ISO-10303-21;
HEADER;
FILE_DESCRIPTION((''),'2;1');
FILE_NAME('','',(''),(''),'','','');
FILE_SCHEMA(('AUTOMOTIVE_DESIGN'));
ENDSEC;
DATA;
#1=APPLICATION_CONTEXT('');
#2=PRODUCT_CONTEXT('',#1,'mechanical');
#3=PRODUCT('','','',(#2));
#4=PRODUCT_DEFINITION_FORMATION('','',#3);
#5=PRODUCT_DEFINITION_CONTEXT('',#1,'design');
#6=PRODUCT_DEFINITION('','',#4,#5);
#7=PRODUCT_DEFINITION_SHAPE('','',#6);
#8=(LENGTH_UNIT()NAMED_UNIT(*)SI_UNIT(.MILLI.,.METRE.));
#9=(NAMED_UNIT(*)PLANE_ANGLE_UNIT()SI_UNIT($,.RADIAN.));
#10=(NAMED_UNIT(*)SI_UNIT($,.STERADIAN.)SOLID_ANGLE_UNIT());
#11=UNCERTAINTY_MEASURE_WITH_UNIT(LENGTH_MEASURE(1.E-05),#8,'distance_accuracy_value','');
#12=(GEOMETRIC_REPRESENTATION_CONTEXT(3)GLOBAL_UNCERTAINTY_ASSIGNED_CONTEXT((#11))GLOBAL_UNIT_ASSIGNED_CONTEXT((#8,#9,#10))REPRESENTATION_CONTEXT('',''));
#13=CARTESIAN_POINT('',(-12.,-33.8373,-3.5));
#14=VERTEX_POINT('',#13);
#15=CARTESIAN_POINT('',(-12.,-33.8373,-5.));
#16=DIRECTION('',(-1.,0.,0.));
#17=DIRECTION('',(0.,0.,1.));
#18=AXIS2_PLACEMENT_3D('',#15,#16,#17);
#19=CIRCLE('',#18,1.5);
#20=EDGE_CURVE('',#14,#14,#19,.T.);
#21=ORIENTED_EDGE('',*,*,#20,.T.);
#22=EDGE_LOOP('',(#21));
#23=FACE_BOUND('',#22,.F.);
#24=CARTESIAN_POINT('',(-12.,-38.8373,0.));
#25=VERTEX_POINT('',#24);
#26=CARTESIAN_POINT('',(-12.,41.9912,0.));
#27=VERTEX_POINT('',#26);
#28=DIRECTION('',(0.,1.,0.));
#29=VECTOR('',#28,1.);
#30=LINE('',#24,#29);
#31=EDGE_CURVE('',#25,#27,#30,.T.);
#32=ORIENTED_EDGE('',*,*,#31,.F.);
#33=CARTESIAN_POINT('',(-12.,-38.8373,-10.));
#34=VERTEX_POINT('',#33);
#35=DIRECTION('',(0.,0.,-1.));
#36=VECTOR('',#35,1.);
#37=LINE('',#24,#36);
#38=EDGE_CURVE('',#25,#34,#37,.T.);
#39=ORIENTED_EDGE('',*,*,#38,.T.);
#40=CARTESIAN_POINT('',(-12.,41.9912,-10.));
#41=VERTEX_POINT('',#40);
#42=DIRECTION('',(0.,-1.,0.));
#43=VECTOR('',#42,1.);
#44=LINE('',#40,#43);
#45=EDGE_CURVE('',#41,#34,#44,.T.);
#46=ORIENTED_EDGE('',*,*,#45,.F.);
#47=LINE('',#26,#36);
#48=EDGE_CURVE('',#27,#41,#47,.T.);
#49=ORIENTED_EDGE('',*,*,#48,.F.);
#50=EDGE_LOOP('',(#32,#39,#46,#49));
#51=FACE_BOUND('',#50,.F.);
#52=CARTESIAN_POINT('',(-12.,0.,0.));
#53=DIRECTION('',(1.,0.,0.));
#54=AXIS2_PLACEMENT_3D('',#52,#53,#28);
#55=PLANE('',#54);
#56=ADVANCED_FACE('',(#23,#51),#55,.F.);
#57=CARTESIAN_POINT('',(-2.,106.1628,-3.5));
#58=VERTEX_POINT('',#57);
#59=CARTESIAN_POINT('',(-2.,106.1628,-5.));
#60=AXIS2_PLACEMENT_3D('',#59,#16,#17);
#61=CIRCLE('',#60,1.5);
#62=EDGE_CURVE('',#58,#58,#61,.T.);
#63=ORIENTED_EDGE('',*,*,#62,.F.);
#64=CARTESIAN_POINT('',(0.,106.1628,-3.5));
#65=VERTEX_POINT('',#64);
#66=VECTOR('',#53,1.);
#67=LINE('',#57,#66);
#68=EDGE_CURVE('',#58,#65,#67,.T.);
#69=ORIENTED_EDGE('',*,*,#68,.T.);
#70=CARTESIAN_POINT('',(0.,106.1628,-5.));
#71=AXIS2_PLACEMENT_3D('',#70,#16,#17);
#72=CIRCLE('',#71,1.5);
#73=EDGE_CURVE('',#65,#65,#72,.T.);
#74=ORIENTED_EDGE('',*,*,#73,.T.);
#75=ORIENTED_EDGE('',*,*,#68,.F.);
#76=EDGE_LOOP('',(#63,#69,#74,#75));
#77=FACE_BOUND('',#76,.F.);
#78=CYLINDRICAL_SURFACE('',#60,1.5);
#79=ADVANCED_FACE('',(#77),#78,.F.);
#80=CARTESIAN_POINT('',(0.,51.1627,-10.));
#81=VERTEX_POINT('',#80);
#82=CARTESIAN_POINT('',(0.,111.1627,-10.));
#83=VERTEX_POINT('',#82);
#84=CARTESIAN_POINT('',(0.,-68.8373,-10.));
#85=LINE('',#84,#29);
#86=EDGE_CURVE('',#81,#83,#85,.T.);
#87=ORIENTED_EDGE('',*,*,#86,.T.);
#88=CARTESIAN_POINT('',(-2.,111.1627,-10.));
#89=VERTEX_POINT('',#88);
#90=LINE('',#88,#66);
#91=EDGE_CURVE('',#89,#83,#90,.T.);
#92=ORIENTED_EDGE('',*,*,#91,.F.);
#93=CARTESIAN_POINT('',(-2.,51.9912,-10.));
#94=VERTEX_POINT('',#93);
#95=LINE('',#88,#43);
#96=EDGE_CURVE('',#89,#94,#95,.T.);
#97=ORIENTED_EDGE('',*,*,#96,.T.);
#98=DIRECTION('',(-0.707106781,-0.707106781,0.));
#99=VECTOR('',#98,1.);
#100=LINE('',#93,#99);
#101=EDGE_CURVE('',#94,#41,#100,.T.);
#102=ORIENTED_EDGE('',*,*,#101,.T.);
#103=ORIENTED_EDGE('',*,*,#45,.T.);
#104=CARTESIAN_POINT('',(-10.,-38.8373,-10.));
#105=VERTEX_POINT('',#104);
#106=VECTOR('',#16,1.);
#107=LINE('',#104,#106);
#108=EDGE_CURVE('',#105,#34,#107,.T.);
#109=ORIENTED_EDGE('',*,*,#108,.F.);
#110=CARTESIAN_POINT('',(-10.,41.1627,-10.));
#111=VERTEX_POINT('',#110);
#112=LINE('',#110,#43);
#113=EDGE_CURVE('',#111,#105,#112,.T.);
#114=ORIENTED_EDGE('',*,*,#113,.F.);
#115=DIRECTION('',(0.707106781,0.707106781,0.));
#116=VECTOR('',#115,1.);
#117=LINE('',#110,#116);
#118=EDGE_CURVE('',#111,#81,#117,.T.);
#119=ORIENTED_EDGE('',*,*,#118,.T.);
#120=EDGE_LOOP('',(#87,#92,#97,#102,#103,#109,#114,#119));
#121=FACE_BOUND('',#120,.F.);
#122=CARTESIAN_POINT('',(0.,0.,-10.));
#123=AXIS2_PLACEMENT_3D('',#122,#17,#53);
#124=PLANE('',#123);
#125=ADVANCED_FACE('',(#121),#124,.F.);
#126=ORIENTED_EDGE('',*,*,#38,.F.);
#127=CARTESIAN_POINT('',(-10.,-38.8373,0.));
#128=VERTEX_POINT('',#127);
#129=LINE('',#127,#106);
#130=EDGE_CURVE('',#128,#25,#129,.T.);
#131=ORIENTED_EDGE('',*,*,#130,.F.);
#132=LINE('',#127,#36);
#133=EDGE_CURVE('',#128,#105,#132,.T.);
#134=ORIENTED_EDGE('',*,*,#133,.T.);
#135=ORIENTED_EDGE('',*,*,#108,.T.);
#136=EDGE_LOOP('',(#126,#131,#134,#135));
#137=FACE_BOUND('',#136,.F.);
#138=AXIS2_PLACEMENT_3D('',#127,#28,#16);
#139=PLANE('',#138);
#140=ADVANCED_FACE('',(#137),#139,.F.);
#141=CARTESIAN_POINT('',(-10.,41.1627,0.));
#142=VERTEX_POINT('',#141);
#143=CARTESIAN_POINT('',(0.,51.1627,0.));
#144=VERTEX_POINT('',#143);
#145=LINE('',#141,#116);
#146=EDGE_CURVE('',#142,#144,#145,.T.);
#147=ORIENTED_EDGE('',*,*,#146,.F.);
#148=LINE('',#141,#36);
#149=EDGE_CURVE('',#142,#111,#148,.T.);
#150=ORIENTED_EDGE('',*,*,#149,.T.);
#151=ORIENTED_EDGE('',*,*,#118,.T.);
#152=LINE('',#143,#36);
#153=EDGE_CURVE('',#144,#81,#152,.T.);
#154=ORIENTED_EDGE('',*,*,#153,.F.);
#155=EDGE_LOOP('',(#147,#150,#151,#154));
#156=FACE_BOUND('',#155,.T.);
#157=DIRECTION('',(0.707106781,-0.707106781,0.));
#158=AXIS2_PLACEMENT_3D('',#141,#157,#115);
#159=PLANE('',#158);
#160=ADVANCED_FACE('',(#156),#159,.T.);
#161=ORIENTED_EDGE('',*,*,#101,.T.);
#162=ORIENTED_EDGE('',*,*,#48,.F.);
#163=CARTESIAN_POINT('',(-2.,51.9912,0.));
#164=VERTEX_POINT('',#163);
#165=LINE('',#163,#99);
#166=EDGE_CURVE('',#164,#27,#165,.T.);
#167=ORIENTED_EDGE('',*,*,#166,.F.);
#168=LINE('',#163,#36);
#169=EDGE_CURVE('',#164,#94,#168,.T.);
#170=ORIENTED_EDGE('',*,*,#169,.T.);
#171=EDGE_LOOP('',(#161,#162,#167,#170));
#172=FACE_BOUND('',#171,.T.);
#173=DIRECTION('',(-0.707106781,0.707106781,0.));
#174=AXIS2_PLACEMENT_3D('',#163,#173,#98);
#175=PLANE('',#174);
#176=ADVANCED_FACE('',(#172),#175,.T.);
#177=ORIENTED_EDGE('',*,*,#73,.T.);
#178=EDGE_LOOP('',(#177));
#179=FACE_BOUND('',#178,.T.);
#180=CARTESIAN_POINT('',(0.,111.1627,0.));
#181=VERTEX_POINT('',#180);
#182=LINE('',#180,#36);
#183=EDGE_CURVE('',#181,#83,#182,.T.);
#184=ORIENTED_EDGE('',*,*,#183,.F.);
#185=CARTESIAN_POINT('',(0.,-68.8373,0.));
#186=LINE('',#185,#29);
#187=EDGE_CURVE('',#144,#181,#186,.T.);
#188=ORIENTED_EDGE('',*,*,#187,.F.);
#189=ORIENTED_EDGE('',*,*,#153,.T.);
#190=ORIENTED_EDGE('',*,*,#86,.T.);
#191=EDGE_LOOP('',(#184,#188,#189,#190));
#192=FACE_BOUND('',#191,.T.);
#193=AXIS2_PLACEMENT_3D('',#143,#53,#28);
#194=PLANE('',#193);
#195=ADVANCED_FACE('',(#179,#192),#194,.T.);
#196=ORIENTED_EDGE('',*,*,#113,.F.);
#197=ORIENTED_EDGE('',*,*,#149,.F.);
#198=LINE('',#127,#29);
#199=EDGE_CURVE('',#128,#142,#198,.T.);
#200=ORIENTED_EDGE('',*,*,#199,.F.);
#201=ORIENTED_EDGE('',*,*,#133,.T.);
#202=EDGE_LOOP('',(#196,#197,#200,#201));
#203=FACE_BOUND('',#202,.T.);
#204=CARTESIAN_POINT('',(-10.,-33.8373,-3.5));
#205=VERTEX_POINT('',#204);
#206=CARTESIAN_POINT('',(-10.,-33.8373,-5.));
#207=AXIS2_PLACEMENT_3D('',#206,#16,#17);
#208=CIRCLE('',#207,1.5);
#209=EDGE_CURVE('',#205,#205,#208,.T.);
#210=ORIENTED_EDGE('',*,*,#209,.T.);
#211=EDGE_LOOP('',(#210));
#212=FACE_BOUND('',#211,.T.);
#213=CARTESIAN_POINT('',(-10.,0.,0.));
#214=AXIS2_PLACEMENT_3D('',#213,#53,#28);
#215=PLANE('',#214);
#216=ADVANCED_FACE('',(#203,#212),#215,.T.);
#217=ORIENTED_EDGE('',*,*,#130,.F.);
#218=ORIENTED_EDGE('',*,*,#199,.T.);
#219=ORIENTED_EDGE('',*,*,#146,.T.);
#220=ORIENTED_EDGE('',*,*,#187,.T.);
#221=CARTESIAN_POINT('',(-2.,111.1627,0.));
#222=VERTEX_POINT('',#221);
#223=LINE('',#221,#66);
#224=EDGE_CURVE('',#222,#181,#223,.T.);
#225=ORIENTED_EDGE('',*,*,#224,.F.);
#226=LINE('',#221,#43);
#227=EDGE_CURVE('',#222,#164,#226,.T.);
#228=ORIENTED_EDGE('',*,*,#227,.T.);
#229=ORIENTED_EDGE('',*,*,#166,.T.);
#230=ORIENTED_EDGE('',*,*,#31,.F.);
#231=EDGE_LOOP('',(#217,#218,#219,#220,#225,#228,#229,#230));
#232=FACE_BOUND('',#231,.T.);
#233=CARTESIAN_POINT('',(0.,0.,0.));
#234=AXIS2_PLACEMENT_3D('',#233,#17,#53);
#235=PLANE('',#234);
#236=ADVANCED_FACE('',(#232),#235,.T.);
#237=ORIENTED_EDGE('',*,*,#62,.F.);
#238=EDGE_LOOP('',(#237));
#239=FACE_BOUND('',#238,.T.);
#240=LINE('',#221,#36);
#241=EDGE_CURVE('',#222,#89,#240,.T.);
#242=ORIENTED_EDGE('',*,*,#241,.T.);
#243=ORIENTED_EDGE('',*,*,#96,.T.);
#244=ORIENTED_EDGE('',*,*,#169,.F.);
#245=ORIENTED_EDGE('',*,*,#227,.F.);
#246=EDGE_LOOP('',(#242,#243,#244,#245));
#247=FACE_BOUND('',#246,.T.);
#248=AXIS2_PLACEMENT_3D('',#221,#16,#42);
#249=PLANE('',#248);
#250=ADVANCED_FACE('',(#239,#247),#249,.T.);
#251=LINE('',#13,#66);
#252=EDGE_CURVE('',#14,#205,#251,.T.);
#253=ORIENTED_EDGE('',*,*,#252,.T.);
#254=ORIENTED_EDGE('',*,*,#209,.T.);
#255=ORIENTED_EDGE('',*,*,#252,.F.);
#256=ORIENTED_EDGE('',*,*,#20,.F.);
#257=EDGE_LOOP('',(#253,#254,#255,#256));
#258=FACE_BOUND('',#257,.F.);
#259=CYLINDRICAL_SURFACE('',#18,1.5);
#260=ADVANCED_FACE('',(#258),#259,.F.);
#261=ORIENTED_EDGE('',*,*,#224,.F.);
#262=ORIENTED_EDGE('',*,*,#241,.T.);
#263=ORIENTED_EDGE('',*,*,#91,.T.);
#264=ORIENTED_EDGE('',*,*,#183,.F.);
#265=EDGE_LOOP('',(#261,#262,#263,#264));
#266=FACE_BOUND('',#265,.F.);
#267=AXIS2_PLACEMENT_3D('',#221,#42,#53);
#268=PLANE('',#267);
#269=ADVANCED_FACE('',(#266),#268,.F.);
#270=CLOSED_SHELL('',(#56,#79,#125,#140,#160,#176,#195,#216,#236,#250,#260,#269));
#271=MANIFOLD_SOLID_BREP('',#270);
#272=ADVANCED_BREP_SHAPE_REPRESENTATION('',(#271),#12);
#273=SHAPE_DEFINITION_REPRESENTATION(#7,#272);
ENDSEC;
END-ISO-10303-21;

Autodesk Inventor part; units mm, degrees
ref_plane "YZ Plane" through (0, 0, 0) normal (1, 0, 0) x (0, 1, 0)
ref_plane "XZ Plane" through (0, 0, 0) normal (0, 1, 0) x (-1, 0, 0)
ref_plane "XY Plane" through (0, 0, 0) normal (0, 0, 1) x (1, 0, 0)
sketch "Skizze1" plane through (0, 0, 0) normal (0, 0, 1) x (1, 0, 0)
  line L0 (-14.4, 0) -> (2.4, 0) projected
  line L1 (0, -68.8373) -> (0, 141.1627) projected
  line L2 (-10, -38.8373) -> (-10, 41.1627)
  line L3 (-10, 41.1627) -> (0, 51.1627)
  line L4 (0, 51.1627) -> (0, 111.1627)
  line L5 (-10, -38.8373) -> (-12, -38.8373)
  line L6 (-12, -38.8373) -> (-12, 41.9912)
  line L7 (-2, 51.9912) -> (-12, 41.9912)
  line L8 (-2, 111.1627) -> (0, 111.1627)
  line L9 (-2, 111.1627) -> (-2, 51.9912)
  point P0 (0, 0)
  dimension "d0" = 80
  dimension "d2" = 60
  dimension "d5" = 2
  dimension "d6" = 2
  dimension "d7" = 2
  dimension "d20" = 10
  dimension "d22" = 150
extrude "Extrusion1" add sketch "Skizze1" against normal blind 10 contours L6 L7 L9 L8 L1 L3 L2 L0 | L0 L2 L5 L6
sketch "Skizze2" plane through (-12, -38.8373, 0) normal (-1, 0, 0) x (0, 0, 1)
  line L0 (0, 80.8284) -> (0, 0) projected
  line L1 (0, 0) -> (-10, 0) projected
  circle A0 centre (-5, 5) radius 1.5
  point P0 (0, 38.8373)
  dimension "d10" = 5
  dimension "d11" = 5
  dimension "d12" = 3
extrude "Extrusion2" cut sketch "Skizze2" against normal blind 5
sketch "Skizze3" plane through (-2, 51.9912, 0) normal (-1, 0, 0) x (0, 0, 1)
  line L0 (-10, 0) -> (-10, 59.1716) projected
  line L1 (0, 59.1716) -> (-10, 59.1716) projected
  circle A0 centre (-5, 54.1716) radius 1.5
  point P0 (0, -51.9912)
  dimension "d15" = 5
  dimension "d16" = 5
  dimension "d17" = 3
extrude "Extrusion3" cut sketch "Skizze3" against normal blind 5
properties part number "Gestänge"
